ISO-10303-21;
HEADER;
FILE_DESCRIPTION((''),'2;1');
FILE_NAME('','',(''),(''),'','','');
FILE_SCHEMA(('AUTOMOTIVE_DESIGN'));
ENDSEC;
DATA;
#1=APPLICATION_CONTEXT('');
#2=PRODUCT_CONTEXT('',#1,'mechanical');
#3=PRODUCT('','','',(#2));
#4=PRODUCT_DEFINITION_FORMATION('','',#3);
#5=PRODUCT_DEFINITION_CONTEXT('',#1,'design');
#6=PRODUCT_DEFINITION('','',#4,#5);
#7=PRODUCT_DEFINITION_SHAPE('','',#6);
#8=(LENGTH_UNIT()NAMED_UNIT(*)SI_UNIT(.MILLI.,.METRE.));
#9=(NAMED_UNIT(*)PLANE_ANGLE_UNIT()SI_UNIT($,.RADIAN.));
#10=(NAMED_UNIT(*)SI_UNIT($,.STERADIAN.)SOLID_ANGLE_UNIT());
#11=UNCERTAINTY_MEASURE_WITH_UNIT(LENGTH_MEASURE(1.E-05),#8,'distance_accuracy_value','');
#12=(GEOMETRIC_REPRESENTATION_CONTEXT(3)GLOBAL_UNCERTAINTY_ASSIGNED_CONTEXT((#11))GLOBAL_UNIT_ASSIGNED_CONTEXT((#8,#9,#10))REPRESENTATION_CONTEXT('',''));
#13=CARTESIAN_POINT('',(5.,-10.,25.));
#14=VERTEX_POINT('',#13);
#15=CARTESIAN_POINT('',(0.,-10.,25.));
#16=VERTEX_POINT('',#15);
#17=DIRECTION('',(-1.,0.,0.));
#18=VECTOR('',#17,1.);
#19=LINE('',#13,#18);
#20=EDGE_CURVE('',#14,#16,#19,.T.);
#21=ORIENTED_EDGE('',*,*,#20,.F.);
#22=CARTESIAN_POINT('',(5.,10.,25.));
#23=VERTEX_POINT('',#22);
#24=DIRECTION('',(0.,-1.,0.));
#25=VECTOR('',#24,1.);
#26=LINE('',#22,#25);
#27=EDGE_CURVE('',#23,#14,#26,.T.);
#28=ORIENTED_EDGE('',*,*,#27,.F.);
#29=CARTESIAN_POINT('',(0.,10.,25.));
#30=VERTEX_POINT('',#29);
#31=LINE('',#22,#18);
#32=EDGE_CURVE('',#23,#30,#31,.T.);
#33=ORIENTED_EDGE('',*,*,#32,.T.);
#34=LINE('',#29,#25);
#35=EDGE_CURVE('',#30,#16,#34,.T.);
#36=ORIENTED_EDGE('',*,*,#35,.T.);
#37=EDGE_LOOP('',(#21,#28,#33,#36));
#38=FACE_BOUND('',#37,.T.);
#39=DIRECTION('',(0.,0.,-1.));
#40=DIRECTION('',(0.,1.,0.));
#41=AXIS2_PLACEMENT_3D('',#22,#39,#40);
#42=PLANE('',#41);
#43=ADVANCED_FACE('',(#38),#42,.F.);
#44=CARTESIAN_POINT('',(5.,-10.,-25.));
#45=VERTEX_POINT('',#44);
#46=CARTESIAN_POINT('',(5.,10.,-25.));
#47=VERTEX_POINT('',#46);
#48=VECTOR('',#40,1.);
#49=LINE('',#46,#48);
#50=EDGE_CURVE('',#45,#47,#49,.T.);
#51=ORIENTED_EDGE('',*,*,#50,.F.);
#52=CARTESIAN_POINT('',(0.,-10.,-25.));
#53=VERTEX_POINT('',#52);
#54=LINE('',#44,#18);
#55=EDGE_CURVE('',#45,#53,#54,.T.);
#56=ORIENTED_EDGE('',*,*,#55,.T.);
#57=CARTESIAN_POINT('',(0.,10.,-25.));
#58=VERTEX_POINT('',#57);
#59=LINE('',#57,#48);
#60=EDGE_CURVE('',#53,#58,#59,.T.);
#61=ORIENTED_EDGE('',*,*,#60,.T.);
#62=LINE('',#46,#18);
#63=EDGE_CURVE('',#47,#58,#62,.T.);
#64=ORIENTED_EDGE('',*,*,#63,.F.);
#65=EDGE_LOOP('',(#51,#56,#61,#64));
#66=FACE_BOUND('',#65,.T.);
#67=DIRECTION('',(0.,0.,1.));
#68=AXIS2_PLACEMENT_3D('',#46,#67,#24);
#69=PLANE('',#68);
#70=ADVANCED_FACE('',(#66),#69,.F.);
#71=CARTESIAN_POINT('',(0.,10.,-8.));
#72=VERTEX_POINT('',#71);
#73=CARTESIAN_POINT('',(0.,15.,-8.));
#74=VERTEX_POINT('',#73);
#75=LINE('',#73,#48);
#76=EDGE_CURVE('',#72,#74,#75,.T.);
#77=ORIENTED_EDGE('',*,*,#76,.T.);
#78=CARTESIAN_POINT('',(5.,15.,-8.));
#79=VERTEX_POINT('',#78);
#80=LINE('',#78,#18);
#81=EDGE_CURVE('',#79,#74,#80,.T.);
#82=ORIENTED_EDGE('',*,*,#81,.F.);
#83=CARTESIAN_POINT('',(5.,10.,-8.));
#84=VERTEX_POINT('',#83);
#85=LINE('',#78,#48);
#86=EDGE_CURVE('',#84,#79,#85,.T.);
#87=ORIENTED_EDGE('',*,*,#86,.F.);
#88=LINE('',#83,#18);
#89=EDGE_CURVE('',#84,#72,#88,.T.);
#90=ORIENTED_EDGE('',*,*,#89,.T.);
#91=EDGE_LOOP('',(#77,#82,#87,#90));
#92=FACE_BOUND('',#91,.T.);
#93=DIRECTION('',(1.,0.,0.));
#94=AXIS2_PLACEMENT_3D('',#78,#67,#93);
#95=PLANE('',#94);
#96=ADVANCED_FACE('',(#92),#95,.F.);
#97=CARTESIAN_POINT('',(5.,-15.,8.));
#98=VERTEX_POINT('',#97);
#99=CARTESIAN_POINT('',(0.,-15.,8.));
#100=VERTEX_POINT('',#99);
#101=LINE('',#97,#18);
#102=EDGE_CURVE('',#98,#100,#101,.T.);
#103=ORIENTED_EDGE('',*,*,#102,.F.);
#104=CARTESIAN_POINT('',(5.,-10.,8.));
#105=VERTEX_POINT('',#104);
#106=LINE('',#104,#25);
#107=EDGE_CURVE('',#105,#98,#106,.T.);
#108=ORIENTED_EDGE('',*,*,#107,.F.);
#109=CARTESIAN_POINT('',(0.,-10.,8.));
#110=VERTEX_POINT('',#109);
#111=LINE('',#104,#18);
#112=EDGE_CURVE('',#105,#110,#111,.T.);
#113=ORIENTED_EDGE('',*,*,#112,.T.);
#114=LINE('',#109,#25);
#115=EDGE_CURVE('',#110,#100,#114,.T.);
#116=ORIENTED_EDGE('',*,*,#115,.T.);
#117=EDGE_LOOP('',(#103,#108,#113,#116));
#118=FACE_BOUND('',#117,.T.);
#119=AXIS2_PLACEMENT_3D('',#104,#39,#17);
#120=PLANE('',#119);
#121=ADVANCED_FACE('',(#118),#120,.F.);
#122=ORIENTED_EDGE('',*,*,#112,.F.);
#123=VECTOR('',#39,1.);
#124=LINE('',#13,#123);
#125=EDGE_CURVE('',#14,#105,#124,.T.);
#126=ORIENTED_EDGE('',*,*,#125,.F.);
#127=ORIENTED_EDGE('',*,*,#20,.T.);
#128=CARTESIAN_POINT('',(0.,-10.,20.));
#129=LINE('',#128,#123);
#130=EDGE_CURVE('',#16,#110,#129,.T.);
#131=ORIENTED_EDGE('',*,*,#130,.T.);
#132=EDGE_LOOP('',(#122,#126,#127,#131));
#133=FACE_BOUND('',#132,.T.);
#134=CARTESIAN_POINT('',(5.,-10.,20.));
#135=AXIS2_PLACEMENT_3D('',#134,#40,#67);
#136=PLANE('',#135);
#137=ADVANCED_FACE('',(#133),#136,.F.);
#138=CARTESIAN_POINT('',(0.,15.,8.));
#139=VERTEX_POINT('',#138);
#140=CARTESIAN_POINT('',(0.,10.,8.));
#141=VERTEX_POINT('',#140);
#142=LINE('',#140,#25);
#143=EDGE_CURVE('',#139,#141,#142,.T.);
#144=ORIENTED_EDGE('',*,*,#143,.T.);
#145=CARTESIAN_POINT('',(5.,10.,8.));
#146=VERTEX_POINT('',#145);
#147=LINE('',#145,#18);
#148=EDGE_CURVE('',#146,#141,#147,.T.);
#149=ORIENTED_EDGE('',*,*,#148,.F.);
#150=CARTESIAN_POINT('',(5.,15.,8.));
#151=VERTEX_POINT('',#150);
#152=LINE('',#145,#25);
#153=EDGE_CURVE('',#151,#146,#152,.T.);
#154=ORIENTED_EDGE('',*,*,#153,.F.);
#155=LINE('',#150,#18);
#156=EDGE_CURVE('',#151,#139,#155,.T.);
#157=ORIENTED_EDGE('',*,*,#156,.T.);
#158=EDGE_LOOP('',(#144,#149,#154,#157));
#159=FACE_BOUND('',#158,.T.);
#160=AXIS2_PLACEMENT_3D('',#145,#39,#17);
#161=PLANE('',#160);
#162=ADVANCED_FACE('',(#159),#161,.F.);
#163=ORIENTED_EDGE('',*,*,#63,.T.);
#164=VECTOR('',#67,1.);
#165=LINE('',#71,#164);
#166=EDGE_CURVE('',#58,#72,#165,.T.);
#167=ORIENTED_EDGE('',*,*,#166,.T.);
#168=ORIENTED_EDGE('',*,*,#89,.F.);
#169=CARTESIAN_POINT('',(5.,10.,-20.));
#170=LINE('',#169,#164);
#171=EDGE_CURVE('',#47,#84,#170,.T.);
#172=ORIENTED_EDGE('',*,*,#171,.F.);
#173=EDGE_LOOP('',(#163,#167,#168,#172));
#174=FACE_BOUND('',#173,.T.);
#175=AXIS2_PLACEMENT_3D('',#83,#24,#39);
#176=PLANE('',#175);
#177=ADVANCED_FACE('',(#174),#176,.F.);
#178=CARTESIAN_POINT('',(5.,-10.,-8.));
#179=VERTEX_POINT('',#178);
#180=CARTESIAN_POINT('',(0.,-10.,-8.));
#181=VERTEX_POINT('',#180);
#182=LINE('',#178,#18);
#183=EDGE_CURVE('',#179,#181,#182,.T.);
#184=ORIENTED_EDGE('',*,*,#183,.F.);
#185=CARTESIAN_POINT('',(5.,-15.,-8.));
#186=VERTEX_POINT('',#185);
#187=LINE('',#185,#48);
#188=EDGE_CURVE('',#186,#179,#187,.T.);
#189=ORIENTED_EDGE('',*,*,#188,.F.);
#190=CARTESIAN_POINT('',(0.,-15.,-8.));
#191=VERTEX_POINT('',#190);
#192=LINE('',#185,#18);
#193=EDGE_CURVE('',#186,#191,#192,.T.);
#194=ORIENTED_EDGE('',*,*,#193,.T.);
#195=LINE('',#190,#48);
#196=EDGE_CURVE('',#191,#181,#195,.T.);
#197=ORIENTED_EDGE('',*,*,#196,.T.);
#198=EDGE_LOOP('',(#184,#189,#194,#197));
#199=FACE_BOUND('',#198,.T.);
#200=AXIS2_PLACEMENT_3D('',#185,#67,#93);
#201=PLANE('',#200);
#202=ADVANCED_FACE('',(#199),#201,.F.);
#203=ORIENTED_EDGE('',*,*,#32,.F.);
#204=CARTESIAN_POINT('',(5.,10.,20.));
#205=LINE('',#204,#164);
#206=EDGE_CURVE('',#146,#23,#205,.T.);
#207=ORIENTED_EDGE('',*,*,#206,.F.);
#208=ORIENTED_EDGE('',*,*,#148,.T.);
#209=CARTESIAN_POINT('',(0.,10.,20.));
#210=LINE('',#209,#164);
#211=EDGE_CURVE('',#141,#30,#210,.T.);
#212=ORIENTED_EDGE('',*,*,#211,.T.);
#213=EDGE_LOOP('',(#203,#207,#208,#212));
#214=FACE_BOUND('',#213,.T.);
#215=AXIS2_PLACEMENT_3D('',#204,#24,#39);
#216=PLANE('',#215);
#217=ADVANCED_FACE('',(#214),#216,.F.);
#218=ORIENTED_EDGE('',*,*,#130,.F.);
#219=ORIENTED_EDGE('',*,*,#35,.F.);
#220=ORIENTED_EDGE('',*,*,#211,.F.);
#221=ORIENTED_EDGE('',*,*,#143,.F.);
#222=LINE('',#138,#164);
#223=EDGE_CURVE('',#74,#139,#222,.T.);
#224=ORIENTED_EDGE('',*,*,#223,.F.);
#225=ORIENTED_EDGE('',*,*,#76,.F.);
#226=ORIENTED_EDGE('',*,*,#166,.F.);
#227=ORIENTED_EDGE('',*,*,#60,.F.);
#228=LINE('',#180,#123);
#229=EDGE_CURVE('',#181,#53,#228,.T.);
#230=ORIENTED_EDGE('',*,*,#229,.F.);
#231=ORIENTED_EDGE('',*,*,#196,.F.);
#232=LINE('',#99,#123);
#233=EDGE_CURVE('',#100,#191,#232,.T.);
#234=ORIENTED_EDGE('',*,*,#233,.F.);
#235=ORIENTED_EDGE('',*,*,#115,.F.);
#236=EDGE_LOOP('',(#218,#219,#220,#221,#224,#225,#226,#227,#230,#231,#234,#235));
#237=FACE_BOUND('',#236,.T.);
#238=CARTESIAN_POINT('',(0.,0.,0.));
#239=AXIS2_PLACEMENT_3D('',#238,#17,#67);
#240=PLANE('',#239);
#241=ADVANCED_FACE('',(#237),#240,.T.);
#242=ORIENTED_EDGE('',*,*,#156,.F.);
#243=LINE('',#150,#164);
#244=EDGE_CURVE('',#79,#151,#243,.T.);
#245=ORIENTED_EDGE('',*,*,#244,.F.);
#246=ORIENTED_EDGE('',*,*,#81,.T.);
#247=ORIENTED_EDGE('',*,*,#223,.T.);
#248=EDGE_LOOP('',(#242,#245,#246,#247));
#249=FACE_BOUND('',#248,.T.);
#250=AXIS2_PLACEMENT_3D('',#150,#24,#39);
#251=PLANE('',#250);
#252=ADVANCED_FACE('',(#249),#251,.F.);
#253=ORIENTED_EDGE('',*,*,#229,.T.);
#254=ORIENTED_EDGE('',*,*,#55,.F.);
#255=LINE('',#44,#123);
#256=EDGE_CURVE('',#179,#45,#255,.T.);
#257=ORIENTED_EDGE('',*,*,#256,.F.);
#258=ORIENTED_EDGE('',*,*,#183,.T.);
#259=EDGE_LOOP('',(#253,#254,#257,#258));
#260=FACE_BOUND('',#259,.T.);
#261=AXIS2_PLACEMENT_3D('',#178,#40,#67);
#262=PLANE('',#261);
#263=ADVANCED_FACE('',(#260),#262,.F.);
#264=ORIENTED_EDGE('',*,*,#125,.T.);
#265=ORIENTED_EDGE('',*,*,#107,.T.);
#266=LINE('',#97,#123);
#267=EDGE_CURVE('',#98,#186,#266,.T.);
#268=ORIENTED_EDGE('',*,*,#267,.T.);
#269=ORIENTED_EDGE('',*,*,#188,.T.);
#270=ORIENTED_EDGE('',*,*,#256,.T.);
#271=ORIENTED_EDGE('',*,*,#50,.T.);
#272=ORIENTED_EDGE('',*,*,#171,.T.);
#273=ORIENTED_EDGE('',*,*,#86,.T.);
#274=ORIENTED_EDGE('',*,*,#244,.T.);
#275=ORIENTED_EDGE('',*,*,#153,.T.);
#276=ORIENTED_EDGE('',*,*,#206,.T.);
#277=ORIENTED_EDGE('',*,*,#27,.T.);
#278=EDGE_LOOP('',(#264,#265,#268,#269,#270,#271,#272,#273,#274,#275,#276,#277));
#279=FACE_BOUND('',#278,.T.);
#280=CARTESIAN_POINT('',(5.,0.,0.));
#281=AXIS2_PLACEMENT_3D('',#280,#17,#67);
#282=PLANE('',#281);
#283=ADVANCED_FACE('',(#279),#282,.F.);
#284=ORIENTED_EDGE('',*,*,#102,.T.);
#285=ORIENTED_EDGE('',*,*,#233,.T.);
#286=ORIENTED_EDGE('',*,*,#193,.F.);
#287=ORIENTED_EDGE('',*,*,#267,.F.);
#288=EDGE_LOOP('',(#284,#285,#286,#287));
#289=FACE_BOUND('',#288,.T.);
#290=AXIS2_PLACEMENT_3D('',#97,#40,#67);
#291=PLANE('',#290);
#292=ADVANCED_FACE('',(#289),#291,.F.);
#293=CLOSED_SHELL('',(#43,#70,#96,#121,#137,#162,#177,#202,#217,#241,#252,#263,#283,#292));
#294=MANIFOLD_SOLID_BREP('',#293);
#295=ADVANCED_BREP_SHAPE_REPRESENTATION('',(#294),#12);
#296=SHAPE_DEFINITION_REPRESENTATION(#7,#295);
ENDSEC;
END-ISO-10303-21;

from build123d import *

# Parameters (mm, degrees)
BOSS_EXTRUDE1_DEPTH = 5


with BuildPart() as part:
    # Sketch1 → Boss-Extrude1 (new body)
    with BuildSketch(Plane(origin=(0, 0, 0), x_dir=(0, 0, -1), z_dir=(1, 0, 0))):
        Polygon((-8, 10), (-8, 15), (8, 15), (8, 10), (20, 10), (25, 10), (25, -10), (20, -10), (8, -10), (8, -15), (-8, -15), (-8, -10), (-20, -10), (-25, -10), (-25, 10), (-20, 10), align=None)
    extrude(amount=BOSS_EXTRUDE1_DEPTH)


solid = part.part
